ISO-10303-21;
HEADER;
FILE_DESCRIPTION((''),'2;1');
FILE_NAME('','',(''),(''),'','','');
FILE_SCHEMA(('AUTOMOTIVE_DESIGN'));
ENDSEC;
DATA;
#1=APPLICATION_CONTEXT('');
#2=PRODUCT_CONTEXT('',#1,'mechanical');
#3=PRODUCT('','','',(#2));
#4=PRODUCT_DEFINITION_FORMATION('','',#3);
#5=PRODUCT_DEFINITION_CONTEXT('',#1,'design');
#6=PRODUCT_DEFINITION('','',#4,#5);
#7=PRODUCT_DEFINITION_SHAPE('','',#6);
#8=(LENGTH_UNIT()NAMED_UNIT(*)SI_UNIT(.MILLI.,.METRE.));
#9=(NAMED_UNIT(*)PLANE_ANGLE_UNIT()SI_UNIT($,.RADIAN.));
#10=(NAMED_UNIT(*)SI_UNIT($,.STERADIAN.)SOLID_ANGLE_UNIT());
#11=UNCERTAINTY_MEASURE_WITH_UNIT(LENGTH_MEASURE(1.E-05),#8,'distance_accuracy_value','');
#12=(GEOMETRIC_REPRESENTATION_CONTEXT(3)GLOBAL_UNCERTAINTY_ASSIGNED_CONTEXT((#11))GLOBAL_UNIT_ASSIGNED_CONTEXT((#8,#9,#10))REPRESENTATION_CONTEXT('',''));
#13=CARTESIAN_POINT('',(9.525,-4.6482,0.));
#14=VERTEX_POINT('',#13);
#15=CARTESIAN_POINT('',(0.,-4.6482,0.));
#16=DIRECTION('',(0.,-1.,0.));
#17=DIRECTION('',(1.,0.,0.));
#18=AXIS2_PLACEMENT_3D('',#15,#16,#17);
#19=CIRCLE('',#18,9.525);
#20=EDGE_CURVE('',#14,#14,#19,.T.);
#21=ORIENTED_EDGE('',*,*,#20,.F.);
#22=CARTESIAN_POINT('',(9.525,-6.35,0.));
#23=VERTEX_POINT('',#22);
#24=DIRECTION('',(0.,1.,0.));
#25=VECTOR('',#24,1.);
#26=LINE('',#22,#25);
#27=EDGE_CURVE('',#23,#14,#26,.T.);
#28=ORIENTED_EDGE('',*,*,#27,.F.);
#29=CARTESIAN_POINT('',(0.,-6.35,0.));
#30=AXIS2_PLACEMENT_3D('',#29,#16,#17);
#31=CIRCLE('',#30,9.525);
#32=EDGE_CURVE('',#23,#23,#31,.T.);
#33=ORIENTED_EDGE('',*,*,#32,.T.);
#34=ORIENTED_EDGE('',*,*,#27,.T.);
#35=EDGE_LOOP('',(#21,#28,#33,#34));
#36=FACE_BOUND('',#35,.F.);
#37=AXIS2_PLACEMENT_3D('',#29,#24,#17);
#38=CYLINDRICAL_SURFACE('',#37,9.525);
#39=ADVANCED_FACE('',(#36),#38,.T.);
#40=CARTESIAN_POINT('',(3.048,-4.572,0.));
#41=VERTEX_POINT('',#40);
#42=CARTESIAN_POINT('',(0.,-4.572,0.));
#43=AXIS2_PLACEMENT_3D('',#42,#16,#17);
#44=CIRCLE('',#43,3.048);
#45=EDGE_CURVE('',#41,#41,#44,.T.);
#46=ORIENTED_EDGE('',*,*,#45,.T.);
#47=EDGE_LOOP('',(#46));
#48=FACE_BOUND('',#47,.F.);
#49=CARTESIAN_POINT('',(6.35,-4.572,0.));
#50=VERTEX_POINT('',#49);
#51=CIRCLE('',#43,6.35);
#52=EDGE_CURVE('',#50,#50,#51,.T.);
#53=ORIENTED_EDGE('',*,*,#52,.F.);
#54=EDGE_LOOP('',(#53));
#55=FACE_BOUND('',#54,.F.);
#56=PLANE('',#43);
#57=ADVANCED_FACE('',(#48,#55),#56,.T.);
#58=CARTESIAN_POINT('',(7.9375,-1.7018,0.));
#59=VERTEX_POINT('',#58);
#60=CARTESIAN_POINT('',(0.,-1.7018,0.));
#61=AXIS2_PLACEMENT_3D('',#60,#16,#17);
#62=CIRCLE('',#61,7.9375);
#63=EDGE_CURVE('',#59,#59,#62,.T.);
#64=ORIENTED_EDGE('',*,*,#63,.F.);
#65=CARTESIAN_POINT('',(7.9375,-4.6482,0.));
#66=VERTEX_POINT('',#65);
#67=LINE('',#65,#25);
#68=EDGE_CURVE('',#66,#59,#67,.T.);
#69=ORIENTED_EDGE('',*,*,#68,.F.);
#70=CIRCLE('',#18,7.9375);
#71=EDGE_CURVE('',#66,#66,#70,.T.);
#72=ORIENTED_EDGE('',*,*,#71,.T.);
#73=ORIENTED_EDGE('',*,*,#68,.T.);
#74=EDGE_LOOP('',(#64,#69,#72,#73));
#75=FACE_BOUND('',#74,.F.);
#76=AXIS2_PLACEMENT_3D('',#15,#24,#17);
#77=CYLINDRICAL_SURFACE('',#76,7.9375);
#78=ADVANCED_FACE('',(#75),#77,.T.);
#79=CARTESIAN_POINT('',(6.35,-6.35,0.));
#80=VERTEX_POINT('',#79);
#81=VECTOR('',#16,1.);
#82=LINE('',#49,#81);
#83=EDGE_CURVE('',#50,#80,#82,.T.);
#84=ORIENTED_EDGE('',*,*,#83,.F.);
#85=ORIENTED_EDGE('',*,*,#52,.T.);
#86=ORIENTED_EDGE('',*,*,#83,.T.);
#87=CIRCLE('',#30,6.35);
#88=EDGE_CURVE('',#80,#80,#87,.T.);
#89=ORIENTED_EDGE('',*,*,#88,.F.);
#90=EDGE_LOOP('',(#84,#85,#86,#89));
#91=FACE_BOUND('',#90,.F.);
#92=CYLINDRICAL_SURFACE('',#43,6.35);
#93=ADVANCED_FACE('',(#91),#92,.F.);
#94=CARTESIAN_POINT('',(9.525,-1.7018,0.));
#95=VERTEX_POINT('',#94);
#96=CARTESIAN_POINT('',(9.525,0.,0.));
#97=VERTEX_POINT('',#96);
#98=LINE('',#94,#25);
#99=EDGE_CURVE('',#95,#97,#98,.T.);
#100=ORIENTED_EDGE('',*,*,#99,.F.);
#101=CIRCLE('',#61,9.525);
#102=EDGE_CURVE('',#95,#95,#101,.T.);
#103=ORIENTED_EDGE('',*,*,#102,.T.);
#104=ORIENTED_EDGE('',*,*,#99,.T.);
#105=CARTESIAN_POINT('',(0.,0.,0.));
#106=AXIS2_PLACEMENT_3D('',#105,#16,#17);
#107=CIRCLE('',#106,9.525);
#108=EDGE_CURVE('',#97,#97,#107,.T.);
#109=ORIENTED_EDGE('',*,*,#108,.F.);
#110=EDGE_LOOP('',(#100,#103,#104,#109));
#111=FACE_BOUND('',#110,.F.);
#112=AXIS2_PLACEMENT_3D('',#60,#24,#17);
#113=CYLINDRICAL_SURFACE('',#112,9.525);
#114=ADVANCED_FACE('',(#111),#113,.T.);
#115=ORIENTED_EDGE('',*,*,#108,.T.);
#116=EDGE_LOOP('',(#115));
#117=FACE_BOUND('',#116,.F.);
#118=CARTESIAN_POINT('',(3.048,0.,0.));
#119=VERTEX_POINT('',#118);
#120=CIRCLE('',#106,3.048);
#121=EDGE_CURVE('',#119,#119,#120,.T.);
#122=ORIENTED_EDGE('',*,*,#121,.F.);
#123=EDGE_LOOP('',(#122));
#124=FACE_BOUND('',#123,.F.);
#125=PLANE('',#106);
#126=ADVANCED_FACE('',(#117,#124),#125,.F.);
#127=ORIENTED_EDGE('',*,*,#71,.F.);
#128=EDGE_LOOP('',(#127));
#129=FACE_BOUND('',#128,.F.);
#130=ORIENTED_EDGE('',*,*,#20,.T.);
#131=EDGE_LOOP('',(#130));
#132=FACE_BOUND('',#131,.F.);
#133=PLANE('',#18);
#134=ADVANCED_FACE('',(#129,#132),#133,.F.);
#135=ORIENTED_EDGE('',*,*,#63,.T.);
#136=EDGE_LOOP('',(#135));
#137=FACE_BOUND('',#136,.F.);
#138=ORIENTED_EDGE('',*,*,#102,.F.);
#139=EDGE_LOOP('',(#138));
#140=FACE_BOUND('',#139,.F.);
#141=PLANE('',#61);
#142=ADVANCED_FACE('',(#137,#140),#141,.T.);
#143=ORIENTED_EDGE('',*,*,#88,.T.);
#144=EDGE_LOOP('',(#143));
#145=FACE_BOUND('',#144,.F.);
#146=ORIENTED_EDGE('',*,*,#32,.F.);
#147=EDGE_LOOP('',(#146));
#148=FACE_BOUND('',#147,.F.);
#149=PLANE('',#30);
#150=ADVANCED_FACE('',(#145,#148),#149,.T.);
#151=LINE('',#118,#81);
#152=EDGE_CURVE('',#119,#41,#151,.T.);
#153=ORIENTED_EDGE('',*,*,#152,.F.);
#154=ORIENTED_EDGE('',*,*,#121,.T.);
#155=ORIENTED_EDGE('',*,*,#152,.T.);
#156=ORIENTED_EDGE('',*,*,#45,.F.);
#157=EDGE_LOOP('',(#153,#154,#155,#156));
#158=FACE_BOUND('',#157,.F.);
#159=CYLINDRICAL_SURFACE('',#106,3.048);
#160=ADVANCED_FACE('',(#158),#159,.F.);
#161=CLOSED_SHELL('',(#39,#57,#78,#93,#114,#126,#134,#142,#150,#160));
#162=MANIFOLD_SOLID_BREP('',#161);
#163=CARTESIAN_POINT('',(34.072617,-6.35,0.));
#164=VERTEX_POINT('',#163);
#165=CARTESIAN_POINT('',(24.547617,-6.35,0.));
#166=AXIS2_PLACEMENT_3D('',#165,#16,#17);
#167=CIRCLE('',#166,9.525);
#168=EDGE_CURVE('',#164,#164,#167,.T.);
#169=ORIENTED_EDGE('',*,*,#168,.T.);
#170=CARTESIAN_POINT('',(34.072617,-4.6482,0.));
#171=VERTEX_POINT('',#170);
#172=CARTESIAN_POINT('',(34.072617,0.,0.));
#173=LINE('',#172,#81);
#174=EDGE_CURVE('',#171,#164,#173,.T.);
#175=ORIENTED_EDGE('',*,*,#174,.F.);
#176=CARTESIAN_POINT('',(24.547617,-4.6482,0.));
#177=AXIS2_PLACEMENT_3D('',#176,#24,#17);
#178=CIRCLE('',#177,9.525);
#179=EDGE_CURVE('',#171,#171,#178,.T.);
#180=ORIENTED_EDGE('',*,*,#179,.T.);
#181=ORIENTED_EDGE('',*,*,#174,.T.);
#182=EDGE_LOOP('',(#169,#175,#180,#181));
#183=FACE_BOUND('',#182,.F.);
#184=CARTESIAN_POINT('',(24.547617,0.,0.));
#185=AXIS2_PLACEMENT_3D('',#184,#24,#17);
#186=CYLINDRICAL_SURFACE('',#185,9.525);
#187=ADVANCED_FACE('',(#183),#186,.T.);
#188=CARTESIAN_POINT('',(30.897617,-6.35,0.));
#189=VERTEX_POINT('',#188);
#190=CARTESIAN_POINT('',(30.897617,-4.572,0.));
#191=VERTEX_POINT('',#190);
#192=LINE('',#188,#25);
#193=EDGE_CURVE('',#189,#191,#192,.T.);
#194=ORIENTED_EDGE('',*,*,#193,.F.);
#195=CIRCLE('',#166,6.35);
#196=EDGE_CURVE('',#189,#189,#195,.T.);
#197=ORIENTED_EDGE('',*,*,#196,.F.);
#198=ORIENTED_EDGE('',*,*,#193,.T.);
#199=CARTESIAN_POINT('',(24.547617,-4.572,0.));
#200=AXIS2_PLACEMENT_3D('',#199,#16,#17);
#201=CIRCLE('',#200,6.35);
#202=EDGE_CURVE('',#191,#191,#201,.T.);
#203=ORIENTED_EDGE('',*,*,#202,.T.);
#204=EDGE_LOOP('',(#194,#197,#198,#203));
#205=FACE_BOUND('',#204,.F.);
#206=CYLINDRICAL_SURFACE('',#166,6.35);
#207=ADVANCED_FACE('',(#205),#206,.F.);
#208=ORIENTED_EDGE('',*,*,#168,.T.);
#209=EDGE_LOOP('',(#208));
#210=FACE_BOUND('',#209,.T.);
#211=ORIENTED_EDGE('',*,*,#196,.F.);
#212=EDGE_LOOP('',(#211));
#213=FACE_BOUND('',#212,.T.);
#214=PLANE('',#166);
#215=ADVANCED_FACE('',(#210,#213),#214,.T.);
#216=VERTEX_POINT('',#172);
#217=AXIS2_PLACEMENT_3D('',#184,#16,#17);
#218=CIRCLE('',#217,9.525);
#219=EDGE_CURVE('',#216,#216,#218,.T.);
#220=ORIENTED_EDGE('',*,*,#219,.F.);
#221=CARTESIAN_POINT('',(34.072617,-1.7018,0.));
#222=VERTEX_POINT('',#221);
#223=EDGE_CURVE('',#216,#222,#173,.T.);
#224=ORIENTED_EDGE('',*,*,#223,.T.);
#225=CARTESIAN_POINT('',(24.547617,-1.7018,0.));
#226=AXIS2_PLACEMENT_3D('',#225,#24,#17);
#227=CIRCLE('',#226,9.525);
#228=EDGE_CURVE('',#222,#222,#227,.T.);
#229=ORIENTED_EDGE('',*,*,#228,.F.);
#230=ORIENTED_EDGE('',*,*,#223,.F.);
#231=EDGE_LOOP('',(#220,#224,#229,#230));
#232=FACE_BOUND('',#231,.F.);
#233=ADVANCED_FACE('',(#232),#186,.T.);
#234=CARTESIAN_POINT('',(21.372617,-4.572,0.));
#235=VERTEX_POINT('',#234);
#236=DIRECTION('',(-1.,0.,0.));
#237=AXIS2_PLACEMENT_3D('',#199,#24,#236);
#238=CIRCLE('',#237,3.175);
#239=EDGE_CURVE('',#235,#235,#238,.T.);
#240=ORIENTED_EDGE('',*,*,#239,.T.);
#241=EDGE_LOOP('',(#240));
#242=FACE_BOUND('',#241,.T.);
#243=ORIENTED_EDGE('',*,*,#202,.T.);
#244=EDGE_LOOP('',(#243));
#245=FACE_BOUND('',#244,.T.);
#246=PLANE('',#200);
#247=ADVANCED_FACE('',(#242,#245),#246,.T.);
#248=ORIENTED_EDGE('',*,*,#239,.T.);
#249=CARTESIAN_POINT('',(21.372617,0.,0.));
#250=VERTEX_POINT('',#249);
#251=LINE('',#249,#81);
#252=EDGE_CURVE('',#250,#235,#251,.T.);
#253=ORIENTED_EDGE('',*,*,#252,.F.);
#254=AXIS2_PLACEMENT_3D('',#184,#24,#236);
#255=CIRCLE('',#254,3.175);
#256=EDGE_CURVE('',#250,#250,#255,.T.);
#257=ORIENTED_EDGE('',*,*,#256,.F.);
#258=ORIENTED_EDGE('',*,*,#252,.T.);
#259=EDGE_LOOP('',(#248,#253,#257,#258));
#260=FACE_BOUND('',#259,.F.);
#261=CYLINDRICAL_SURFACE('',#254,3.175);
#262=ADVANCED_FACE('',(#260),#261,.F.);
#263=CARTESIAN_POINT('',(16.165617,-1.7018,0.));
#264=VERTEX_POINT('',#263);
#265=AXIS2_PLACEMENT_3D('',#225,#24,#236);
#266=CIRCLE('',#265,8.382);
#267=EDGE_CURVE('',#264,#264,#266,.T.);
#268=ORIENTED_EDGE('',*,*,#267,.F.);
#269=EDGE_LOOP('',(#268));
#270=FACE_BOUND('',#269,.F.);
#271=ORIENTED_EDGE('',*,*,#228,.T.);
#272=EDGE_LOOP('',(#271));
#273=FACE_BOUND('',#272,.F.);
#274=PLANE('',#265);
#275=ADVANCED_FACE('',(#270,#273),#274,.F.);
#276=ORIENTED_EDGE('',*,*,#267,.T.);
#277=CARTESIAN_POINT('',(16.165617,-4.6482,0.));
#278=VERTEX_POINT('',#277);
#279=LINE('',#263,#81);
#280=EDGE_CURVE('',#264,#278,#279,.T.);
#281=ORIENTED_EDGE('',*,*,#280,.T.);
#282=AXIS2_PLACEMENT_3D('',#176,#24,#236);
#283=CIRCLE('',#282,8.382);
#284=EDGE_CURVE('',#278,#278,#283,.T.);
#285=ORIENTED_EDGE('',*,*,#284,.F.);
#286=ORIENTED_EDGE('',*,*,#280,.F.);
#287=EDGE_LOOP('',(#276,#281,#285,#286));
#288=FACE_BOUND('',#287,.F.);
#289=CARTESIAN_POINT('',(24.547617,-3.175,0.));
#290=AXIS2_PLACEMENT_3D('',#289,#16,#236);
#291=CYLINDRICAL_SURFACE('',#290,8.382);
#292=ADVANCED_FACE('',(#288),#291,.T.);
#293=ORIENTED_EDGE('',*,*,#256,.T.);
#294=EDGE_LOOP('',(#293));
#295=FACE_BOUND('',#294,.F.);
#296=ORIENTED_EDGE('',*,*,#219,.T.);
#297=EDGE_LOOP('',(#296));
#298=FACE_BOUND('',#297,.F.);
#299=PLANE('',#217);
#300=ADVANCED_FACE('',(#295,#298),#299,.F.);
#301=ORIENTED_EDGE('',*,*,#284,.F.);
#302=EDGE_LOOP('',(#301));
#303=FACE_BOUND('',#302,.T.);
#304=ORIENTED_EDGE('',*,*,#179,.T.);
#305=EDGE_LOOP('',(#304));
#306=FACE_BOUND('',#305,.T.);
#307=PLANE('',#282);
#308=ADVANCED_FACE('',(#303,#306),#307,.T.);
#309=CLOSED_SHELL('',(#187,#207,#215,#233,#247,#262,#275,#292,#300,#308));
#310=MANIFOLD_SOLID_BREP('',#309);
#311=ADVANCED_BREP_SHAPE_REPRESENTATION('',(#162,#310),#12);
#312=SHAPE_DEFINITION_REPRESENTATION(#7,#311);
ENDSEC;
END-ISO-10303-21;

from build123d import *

# Parameters (mm, degrees)
F2_R      = 9.525
F3_DEPTH  = 6.35
F5_R      = 9.525
F5_R_2    = 8.382
F6_DEPTH  = 1.4732
F7_R      = 3.175
F8_DEPTH  = 6.351
F9_R      = 6.35
F9_R_2    = 3.175
F10_DEPTH = 1.778


with BuildPart() as f1:
    # F0 (on Top) → F1 (revolve)
    with BuildSketch(Plane.XY):
        Polygon((9.525, 0), (3.048, 0), (3.048, -4.572), (6.35, -4.572), (6.35, -6.35), (9.525, -6.35), (9.525, -4.6482), (7.9375, -4.6482), (7.9375, -1.7018), (9.525, -1.7018), align=None)
    revolve(axis=Axis((0, -3.175, 0), (0, -1, 0)))


with BuildPart() as f3:
    # F2 (on Front) → F3 (new body)
    with BuildSketch(Plane.XZ):
        with Locations((24.5476167689, 0)):
            Circle(F2_R)
    extrude(amount=F3_DEPTH)

    # F5 (on mid) → F6 (cut, symmetric)
    with BuildSketch(Plane(origin=(0, -3.175, 0), x_dir=(-1, 0, 0), z_dir=(0, 1, 0))):
        with Locations((-24.5476167689, 0)):
            Circle(F5_R)
        with Locations((-24.5476167689, 0)):
            Circle(F5_R_2, mode=Mode.SUBTRACT)
    extrude(amount=F6_DEPTH, both=True, mode=Mode.SUBTRACT)

    # F7 (on face) → F8 (cut, through all)
    with BuildSketch(Plane(origin=(0, 0, 0), x_dir=(-1, 0, 0), z_dir=(0, 1, 0))):
        with Locations((-24.5476167689, 0)):
            Circle(F7_R)
    extrude(amount=-F8_DEPTH, mode=Mode.SUBTRACT)

    # F9 (on face) → F10 (cut)
    with BuildSketch(Plane.XZ.offset(6.35)):
        with Locations((24.5476167689, 0)):
            Circle(F9_R)
        with Locations((24.5476167689, 0)):
            Circle(F9_R_2, mode=Mode.SUBTRACT)
        with Locations((24.5476167689, 0)):
            Circle(F9_R_2)
    extrude(amount=-F10_DEPTH, mode=Mode.SUBTRACT)


solid = Compound([f1.part, f3.part])
